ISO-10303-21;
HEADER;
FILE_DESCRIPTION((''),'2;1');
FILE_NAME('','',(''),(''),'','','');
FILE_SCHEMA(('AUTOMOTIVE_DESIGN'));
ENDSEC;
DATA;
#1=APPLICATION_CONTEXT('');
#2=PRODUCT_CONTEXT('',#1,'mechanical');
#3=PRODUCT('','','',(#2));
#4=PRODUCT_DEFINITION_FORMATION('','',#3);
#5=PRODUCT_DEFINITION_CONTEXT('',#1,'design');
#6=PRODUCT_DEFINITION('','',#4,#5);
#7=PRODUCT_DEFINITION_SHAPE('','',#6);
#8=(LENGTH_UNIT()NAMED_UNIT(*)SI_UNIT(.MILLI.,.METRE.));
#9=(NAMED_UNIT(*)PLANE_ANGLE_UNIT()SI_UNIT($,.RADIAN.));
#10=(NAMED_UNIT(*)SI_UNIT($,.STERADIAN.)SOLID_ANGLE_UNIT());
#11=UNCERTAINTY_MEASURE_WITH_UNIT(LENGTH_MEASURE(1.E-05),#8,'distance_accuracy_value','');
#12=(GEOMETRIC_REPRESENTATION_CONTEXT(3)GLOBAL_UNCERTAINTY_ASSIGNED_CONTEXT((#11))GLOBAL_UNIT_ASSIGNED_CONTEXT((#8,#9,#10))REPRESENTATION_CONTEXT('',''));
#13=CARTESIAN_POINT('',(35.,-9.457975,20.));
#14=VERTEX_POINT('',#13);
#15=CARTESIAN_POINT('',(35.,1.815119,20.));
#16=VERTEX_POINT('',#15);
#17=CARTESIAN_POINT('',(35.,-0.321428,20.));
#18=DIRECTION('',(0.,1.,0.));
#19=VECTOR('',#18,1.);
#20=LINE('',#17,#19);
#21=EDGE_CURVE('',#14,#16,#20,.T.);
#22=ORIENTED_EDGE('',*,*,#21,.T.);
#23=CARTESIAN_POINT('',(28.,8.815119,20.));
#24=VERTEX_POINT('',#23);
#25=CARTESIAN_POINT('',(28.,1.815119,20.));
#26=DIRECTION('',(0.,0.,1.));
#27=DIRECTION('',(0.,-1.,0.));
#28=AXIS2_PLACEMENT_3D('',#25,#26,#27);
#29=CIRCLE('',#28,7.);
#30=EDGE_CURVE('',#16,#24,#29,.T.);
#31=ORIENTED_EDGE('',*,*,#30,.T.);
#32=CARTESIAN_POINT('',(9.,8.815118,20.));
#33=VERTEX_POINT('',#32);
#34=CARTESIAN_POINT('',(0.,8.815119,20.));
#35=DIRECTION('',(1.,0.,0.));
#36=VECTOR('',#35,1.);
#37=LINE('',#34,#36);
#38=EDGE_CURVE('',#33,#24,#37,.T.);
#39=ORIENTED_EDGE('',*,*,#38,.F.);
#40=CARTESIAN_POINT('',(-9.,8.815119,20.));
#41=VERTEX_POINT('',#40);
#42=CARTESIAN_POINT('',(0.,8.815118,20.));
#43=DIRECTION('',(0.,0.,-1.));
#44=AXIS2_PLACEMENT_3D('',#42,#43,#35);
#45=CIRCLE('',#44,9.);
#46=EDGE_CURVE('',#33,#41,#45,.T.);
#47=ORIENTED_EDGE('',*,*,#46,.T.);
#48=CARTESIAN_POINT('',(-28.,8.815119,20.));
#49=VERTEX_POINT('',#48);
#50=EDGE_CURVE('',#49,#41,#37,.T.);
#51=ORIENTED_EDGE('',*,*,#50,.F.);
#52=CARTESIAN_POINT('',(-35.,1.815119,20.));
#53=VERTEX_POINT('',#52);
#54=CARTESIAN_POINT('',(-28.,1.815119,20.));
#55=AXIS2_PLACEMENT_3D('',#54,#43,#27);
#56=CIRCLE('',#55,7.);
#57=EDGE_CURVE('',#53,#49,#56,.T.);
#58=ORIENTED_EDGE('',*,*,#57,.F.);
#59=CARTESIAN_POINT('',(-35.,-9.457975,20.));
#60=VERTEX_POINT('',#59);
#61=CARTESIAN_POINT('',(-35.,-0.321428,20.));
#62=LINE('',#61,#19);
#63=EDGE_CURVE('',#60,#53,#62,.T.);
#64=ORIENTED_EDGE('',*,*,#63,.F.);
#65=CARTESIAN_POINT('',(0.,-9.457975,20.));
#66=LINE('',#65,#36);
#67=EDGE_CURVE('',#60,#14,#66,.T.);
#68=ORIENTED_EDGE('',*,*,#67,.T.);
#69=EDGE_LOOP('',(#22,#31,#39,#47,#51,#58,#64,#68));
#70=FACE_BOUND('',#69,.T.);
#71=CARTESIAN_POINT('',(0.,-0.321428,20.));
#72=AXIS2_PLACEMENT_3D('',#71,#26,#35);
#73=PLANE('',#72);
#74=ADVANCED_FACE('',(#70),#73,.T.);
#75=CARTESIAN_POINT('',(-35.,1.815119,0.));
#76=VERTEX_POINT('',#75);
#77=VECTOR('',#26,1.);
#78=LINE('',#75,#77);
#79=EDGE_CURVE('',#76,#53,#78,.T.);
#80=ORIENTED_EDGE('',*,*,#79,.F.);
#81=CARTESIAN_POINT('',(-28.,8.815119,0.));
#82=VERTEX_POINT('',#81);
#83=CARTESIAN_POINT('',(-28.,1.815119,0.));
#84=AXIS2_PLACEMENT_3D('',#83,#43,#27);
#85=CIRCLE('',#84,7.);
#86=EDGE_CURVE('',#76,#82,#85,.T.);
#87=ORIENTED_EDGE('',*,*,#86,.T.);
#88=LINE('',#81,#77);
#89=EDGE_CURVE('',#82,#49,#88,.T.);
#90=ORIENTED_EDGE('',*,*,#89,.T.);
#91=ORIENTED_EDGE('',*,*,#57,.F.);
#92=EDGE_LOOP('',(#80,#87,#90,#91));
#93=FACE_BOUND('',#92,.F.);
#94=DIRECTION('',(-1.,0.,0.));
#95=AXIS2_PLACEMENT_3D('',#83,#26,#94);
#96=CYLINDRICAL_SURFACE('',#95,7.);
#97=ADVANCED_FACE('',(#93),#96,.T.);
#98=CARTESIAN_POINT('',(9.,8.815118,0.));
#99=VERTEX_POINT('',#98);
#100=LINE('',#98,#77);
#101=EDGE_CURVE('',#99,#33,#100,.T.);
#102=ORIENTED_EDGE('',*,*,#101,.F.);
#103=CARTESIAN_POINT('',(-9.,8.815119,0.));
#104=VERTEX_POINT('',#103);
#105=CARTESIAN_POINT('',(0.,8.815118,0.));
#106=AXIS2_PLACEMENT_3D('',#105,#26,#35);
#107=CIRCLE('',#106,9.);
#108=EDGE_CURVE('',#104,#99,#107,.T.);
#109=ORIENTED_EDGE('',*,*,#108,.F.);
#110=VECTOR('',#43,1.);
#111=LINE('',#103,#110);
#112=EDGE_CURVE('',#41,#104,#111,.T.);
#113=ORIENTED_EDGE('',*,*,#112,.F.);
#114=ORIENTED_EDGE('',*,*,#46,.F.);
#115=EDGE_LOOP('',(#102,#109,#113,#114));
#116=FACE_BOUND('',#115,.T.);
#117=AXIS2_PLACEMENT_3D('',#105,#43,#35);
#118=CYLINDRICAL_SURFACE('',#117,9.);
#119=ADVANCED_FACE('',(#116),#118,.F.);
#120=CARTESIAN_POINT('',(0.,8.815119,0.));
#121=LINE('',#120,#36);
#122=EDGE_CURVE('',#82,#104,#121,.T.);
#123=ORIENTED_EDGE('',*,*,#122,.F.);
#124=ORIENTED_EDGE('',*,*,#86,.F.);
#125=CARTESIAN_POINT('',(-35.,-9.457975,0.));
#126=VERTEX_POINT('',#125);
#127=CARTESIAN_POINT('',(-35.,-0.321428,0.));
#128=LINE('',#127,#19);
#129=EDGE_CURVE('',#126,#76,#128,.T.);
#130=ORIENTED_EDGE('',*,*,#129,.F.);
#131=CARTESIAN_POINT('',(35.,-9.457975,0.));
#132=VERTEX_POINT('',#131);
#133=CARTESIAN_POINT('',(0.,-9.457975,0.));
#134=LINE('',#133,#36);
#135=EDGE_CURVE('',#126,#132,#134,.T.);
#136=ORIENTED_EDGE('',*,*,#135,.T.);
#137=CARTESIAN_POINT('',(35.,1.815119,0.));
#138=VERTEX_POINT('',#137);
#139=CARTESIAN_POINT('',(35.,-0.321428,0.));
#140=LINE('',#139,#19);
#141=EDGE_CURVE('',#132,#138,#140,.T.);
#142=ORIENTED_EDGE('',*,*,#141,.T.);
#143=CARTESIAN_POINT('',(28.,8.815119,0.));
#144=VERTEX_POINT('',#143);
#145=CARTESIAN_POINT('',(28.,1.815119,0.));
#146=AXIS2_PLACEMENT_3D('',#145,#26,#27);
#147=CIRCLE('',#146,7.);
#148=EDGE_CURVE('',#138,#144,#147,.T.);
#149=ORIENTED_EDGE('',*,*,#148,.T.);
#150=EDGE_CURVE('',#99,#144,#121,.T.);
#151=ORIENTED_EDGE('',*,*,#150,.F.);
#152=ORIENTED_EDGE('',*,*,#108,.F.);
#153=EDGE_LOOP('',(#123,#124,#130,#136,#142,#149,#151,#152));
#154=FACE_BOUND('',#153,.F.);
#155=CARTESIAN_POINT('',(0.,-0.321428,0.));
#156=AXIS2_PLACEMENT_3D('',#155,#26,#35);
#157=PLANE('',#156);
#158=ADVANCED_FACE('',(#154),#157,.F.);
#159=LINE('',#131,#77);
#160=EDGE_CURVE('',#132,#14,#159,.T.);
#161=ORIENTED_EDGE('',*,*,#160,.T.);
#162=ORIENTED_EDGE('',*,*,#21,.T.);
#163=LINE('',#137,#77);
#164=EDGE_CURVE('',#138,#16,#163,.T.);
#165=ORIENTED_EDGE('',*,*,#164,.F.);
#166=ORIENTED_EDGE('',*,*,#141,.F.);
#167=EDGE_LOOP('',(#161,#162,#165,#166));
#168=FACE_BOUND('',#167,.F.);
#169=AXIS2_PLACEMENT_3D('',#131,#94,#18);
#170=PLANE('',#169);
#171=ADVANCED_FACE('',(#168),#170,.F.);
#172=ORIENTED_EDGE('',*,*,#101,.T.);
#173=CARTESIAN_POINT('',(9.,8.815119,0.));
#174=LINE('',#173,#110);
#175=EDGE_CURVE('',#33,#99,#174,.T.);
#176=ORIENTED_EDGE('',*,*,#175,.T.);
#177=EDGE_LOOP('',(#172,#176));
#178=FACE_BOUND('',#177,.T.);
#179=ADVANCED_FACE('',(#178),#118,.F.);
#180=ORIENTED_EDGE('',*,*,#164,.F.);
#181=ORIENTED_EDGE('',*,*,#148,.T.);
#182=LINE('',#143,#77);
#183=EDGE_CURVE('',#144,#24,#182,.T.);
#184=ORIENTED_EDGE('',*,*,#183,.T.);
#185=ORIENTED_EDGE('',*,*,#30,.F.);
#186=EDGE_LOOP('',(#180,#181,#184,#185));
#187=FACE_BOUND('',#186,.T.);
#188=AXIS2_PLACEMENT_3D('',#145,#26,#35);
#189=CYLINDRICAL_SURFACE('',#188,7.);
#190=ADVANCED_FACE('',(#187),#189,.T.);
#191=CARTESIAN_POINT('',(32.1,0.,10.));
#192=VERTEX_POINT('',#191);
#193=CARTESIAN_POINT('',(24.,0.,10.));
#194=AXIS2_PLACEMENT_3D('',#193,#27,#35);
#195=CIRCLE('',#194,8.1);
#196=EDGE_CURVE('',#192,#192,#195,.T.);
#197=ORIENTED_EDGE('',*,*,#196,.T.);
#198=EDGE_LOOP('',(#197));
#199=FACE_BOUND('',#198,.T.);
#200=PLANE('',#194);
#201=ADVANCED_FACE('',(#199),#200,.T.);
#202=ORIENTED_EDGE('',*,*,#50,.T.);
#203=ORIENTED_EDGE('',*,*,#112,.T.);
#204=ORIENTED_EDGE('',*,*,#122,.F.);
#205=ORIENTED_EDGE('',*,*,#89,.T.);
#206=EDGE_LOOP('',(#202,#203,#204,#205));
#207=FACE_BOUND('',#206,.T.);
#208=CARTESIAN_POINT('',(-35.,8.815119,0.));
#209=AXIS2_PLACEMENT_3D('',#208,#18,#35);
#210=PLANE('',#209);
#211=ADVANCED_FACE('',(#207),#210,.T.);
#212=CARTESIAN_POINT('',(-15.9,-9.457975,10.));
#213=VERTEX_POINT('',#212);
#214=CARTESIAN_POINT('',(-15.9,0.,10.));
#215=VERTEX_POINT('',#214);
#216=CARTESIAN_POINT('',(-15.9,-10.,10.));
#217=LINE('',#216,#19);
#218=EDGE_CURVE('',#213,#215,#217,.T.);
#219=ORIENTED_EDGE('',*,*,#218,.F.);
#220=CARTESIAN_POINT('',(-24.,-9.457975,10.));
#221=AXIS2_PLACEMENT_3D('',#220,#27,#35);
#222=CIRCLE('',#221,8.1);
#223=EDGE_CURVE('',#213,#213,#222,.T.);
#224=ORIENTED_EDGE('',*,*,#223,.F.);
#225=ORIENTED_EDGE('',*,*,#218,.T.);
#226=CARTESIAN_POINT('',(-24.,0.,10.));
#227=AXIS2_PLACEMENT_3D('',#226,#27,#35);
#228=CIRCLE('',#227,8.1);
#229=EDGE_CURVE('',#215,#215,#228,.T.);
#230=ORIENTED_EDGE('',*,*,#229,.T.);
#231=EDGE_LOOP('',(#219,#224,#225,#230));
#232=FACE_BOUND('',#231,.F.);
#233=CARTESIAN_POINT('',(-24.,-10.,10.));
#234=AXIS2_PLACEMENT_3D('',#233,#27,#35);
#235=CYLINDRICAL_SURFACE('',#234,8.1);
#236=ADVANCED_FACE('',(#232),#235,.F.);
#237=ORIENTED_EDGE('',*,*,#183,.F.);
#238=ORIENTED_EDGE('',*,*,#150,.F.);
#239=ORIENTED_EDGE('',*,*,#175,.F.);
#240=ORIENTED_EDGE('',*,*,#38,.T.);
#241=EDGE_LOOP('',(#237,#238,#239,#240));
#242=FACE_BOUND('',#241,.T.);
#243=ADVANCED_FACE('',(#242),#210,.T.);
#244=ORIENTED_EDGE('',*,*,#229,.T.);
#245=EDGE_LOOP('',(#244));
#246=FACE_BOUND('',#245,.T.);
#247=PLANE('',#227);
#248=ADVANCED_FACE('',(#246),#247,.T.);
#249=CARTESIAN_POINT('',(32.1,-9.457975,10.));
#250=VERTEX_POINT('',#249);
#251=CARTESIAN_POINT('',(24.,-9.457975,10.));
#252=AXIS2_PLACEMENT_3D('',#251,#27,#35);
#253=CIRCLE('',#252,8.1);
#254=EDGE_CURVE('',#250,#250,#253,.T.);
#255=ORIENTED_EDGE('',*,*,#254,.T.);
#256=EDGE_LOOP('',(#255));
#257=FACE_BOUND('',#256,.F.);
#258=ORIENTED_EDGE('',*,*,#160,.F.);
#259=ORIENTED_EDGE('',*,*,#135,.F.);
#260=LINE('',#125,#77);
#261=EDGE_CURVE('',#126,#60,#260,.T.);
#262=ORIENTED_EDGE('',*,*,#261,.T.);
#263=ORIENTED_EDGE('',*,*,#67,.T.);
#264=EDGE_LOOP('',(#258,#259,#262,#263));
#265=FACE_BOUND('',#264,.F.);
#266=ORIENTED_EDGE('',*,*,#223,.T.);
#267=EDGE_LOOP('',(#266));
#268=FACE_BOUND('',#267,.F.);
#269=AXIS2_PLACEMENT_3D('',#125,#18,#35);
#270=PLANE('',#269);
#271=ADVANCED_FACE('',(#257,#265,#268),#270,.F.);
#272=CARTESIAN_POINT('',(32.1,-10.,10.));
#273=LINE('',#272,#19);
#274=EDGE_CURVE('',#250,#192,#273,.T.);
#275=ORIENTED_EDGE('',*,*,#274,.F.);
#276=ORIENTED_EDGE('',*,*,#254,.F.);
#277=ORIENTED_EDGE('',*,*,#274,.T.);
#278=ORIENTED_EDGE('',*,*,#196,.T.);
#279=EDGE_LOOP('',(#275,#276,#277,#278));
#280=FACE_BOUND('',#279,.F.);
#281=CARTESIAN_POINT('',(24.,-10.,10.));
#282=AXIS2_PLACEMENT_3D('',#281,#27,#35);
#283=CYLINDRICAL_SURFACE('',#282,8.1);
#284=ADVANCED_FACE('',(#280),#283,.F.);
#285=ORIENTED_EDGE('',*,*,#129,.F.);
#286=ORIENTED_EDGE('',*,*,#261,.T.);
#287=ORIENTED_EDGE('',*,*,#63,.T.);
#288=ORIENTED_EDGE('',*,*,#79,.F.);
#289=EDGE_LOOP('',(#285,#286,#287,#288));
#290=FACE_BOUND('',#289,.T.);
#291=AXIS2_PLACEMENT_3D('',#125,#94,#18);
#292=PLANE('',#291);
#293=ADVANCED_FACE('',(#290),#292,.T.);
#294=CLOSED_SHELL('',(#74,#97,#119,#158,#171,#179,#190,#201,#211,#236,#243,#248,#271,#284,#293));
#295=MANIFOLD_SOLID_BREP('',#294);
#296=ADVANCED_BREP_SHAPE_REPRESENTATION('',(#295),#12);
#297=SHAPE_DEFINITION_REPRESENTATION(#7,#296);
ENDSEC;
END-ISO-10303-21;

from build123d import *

# Parameters (mm, degrees)
F0_W     = 70
F0_H     = 18.273093
F1_DEPTH = 20
F3_R     = 8.1
F4_DEPTH = 10
F5_R     = 9
F6_DEPTH = 25
F7_R     = 7


with BuildPart() as f1:
    # F0 (on Top) → F1 (new body)
    with BuildSketch(Plane.XY):
        with Locations((0, -0.321428)):
            Rectangle(F0_W, F0_H)
    extrude(amount=F1_DEPTH)

    # F3 (on offset) → F4 (cut)
    with BuildSketch(Plane.XZ.offset(10)):
        with Locations((-24, 10)):
            Circle(F3_R)
        with Locations((24, 10)):
            Circle(F3_R)
    extrude(amount=-F4_DEPTH, mode=Mode.SUBTRACT)

    # F5 (on Top) → F6 (cut)
    with BuildSketch(Plane.XY):
        with Locations((0, 8.815118)):
            Circle(F5_R)
    extrude(amount=F6_DEPTH, mode=Mode.SUBTRACT)

    # F7
    f7_edges = [f1.edges().sort_by_distance(p)[0] for p in [
        (35, 8.815118, 10),
        (-35, 8.815118, 10),
    ]]
    fillet(f7_edges, radius=F7_R)


solid = f1.part
